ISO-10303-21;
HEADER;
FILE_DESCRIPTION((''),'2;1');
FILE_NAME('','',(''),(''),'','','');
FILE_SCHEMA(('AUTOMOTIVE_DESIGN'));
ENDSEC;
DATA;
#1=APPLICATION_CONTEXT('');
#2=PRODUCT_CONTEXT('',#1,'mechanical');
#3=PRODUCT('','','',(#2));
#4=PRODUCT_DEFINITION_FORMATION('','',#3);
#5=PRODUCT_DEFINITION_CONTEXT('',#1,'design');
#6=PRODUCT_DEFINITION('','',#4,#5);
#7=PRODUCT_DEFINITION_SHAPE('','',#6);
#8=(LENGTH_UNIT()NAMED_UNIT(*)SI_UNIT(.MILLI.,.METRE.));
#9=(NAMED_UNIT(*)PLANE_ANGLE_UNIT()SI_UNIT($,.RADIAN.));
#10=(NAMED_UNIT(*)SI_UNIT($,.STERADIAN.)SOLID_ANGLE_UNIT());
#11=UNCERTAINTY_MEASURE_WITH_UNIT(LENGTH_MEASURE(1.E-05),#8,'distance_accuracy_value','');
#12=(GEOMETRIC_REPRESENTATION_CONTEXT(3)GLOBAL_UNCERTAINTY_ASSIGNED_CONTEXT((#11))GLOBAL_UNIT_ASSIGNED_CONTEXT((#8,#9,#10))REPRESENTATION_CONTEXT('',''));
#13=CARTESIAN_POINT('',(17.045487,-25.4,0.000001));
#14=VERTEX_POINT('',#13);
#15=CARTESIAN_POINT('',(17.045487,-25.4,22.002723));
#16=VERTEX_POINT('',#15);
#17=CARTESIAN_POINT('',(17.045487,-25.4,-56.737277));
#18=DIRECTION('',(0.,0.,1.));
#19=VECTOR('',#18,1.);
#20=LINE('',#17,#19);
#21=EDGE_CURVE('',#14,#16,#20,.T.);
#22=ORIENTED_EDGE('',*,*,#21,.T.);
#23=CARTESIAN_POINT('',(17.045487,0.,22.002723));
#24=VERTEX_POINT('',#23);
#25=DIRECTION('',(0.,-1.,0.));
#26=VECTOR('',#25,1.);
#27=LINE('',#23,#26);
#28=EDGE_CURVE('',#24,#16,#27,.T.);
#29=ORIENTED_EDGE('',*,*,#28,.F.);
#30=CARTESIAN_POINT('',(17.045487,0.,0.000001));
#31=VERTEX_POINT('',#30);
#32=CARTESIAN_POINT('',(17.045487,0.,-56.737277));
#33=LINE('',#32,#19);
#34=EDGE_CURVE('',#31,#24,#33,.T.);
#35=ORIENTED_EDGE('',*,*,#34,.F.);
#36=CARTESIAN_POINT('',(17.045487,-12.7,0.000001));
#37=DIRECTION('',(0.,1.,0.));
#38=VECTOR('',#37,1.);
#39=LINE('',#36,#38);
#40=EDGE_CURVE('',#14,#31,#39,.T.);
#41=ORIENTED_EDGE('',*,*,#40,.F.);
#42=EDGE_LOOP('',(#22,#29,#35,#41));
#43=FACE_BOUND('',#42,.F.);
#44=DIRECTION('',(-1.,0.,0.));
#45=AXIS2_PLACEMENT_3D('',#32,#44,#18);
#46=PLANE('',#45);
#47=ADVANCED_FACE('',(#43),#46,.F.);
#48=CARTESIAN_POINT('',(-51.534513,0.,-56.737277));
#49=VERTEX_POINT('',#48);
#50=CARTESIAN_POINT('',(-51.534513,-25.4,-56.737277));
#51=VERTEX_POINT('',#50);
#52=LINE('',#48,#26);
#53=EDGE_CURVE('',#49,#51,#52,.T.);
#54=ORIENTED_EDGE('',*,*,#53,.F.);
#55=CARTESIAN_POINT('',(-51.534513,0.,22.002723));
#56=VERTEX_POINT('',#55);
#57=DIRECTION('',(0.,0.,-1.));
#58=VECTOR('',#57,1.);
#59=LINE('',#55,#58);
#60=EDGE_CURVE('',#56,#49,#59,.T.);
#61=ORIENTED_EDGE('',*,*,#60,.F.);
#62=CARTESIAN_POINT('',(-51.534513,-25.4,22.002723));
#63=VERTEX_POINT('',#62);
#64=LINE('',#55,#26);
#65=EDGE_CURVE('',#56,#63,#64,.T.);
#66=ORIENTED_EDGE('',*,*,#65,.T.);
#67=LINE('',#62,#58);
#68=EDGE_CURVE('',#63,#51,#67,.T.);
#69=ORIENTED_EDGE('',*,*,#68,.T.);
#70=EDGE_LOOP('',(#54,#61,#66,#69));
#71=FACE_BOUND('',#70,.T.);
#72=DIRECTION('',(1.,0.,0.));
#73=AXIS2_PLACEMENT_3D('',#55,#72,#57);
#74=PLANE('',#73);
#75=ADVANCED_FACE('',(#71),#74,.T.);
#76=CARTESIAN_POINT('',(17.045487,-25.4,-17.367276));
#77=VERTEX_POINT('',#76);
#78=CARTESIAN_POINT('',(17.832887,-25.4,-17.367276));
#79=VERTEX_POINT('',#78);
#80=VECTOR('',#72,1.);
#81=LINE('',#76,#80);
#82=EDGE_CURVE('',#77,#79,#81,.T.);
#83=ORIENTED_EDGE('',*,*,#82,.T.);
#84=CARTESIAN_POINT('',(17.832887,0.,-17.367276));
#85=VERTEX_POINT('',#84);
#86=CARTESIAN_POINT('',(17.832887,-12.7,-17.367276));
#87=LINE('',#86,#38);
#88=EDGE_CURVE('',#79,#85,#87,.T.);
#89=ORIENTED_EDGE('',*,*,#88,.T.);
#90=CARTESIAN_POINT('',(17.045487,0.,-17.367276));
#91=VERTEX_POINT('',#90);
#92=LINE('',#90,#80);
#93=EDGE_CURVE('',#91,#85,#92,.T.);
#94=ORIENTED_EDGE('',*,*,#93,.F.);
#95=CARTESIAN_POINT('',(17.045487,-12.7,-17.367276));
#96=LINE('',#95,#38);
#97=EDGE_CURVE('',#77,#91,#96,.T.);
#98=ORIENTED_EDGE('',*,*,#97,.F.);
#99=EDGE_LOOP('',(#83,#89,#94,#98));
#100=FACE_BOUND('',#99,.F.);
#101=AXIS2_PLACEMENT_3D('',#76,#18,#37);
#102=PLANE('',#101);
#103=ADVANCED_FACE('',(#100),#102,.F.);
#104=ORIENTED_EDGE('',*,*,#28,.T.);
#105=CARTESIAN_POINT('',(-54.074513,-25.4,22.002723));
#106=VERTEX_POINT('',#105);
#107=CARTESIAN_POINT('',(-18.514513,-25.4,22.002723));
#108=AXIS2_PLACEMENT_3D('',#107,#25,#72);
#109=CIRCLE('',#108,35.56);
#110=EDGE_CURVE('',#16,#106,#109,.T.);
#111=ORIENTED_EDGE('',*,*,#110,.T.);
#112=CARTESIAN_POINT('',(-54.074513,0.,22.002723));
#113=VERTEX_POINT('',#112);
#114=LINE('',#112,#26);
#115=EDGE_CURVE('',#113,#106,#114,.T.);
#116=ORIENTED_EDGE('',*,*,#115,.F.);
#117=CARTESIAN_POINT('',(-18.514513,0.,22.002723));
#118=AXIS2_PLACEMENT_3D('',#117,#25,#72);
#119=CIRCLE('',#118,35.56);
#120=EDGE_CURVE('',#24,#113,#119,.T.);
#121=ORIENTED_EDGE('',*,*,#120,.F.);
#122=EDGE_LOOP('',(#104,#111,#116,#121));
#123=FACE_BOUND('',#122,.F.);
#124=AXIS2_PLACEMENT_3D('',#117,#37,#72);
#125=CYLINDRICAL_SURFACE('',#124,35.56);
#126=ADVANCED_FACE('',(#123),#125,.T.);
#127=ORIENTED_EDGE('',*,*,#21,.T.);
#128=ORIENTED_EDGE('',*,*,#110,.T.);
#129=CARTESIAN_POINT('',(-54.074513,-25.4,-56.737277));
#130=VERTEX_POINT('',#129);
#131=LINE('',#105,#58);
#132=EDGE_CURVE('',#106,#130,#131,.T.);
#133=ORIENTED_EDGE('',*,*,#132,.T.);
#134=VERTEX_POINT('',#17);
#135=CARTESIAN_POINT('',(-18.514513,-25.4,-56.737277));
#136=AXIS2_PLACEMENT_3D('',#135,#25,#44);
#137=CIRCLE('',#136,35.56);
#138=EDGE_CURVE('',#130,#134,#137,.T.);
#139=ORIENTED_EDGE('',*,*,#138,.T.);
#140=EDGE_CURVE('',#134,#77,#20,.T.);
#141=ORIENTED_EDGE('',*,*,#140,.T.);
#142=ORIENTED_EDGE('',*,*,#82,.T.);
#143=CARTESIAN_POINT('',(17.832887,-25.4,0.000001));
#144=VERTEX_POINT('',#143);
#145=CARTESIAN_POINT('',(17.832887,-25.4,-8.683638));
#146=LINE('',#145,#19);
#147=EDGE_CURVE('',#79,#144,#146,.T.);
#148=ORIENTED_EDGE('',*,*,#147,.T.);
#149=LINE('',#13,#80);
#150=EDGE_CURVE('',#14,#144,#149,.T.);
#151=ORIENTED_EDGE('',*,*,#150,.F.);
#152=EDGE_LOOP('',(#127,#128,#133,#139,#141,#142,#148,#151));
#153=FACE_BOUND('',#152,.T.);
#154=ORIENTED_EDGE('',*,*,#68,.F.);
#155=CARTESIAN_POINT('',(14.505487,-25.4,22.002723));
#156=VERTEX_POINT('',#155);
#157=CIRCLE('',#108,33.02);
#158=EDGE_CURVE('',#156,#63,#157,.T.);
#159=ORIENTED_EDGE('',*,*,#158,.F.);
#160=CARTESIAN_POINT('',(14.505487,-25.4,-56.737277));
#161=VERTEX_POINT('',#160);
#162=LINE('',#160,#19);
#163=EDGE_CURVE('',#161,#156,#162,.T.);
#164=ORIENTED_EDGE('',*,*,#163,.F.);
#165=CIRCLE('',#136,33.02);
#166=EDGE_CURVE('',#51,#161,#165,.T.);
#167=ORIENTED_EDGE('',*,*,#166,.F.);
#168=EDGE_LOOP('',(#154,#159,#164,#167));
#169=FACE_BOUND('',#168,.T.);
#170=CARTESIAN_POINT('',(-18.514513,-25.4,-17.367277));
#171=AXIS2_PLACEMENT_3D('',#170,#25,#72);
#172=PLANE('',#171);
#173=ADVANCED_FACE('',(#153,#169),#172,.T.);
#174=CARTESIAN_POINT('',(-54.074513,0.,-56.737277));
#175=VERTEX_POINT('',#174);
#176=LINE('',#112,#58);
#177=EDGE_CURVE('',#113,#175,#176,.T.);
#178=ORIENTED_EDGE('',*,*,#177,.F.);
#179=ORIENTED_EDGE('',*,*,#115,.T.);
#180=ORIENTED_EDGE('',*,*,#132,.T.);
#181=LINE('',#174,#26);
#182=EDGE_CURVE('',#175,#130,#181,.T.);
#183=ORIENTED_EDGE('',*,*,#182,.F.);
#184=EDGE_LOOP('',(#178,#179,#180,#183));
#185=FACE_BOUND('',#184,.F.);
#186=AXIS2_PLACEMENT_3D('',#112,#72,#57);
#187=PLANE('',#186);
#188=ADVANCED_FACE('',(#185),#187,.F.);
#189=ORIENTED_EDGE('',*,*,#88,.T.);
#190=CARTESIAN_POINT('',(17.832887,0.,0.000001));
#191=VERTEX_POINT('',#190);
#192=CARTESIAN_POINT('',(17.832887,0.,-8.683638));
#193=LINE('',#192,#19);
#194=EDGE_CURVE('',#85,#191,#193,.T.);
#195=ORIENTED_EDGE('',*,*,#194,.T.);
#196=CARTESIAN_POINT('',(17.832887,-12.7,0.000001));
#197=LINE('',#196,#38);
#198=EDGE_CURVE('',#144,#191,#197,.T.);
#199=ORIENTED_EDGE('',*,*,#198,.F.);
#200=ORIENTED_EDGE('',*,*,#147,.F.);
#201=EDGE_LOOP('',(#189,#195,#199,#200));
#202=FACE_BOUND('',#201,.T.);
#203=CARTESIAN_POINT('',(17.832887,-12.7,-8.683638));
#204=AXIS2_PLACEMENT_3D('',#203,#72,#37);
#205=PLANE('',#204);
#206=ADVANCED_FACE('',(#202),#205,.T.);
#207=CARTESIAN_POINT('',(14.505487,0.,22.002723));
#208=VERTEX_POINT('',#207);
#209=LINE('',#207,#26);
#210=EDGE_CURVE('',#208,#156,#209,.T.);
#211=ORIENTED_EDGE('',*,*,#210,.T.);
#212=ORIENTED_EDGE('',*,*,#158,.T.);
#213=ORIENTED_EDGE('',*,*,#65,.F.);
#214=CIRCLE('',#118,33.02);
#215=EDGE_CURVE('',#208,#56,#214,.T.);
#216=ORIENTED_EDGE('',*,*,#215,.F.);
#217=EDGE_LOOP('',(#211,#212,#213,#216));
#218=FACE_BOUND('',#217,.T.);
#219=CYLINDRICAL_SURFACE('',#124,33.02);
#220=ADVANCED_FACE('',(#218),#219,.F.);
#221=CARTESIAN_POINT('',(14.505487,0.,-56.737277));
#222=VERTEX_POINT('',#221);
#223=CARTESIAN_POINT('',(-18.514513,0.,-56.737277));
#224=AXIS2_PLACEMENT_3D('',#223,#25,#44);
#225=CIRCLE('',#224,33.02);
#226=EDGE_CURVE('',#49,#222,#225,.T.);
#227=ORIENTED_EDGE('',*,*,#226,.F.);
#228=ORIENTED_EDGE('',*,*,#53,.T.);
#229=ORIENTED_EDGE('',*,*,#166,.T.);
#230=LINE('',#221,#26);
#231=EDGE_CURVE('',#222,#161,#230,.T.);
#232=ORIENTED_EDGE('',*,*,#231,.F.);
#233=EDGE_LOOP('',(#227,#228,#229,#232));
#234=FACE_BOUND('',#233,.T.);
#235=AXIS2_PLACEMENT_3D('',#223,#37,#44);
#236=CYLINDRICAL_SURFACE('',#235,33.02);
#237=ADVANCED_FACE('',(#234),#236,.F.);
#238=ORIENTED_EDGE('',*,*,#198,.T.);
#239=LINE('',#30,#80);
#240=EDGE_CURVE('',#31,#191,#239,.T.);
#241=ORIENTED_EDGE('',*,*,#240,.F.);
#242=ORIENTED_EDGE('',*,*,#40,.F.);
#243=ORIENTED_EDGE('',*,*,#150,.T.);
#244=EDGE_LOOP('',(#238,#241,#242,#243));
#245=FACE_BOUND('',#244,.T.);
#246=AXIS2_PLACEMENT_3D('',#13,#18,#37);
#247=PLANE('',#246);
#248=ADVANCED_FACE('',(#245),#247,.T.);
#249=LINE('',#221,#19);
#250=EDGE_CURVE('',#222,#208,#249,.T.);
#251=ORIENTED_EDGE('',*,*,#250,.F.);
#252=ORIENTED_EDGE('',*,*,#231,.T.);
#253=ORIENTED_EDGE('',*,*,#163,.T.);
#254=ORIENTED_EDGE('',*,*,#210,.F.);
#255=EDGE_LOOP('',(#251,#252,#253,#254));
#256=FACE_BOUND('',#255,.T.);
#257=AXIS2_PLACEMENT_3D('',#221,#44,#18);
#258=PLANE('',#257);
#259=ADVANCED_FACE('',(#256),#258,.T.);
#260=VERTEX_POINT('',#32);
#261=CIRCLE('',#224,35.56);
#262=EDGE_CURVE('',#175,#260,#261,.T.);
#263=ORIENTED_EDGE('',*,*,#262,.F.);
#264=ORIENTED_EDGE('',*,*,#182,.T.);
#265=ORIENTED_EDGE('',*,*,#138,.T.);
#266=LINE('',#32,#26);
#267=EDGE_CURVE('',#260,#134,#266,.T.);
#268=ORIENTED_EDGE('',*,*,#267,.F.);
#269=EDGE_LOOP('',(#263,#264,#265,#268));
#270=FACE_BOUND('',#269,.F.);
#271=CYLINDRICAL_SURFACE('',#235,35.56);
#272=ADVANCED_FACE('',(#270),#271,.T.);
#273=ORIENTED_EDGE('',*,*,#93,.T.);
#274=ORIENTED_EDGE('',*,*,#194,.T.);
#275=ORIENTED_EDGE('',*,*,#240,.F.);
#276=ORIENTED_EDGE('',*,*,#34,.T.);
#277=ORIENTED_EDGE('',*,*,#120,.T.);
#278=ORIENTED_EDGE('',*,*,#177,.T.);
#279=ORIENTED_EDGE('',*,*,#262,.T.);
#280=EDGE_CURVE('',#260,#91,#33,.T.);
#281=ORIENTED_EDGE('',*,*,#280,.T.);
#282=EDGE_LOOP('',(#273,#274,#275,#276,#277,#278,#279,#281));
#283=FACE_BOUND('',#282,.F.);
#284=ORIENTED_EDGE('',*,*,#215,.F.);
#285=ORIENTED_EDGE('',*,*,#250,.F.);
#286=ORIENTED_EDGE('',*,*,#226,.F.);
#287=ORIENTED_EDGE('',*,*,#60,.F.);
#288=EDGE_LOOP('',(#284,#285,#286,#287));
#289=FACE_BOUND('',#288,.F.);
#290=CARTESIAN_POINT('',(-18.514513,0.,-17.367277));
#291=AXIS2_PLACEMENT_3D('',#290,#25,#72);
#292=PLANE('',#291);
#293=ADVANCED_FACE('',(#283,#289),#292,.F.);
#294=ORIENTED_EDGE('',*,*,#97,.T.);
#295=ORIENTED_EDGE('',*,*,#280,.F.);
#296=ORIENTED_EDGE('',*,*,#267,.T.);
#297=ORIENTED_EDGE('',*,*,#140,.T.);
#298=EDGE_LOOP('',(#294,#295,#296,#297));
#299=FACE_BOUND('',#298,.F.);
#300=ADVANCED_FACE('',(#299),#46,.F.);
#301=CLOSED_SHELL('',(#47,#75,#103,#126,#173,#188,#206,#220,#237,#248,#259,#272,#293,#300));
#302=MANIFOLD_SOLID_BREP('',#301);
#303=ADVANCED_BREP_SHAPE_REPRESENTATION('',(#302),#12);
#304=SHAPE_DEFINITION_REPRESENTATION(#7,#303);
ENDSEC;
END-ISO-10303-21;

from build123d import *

# Parameters (mm, degrees)
F1_DEPTH = 25.4
F2_T     = -2.54
F3_W     = 25.4
F3_H     = 17.367277
F4_DEPTH = 0.7874


with BuildPart() as f1:
    # F0 (on Front) → F1 (new body)
    with BuildSketch(Plane.XZ):
        with BuildLine():
            ThreePointArc((17.045487, 22.002723), (-18.514513, 57.562723), (-54.074513, 22.002723))
            Line((-54.074513, 22.002723), (-54.074513, -56.737277))
            ThreePointArc((-54.074513, -56.737277), (-18.514513, -92.297277), (17.045487, -56.737277))
            Line((17.045487, -56.737277), (17.045487, 22.002723))
        make_face()
    extrude(amount=F1_DEPTH)

    # F2
    f2_openings = [f1.faces().sort_by_distance(p)[0] for p in [
        (-18.514513, -25.4, -17.367277),
        (-18.514513, 0, -17.367277),
    ]]
    offset(amount=F2_T, openings=f2_openings)

    # F3 (on face) → F4 (join)
    with BuildSketch(Plane.YZ.offset(17.045487)):
        with Locations((-12.7, -8.683638)):
            Rectangle(F3_W, F3_H)
    extrude(amount=F4_DEPTH)


solid = f1.part
